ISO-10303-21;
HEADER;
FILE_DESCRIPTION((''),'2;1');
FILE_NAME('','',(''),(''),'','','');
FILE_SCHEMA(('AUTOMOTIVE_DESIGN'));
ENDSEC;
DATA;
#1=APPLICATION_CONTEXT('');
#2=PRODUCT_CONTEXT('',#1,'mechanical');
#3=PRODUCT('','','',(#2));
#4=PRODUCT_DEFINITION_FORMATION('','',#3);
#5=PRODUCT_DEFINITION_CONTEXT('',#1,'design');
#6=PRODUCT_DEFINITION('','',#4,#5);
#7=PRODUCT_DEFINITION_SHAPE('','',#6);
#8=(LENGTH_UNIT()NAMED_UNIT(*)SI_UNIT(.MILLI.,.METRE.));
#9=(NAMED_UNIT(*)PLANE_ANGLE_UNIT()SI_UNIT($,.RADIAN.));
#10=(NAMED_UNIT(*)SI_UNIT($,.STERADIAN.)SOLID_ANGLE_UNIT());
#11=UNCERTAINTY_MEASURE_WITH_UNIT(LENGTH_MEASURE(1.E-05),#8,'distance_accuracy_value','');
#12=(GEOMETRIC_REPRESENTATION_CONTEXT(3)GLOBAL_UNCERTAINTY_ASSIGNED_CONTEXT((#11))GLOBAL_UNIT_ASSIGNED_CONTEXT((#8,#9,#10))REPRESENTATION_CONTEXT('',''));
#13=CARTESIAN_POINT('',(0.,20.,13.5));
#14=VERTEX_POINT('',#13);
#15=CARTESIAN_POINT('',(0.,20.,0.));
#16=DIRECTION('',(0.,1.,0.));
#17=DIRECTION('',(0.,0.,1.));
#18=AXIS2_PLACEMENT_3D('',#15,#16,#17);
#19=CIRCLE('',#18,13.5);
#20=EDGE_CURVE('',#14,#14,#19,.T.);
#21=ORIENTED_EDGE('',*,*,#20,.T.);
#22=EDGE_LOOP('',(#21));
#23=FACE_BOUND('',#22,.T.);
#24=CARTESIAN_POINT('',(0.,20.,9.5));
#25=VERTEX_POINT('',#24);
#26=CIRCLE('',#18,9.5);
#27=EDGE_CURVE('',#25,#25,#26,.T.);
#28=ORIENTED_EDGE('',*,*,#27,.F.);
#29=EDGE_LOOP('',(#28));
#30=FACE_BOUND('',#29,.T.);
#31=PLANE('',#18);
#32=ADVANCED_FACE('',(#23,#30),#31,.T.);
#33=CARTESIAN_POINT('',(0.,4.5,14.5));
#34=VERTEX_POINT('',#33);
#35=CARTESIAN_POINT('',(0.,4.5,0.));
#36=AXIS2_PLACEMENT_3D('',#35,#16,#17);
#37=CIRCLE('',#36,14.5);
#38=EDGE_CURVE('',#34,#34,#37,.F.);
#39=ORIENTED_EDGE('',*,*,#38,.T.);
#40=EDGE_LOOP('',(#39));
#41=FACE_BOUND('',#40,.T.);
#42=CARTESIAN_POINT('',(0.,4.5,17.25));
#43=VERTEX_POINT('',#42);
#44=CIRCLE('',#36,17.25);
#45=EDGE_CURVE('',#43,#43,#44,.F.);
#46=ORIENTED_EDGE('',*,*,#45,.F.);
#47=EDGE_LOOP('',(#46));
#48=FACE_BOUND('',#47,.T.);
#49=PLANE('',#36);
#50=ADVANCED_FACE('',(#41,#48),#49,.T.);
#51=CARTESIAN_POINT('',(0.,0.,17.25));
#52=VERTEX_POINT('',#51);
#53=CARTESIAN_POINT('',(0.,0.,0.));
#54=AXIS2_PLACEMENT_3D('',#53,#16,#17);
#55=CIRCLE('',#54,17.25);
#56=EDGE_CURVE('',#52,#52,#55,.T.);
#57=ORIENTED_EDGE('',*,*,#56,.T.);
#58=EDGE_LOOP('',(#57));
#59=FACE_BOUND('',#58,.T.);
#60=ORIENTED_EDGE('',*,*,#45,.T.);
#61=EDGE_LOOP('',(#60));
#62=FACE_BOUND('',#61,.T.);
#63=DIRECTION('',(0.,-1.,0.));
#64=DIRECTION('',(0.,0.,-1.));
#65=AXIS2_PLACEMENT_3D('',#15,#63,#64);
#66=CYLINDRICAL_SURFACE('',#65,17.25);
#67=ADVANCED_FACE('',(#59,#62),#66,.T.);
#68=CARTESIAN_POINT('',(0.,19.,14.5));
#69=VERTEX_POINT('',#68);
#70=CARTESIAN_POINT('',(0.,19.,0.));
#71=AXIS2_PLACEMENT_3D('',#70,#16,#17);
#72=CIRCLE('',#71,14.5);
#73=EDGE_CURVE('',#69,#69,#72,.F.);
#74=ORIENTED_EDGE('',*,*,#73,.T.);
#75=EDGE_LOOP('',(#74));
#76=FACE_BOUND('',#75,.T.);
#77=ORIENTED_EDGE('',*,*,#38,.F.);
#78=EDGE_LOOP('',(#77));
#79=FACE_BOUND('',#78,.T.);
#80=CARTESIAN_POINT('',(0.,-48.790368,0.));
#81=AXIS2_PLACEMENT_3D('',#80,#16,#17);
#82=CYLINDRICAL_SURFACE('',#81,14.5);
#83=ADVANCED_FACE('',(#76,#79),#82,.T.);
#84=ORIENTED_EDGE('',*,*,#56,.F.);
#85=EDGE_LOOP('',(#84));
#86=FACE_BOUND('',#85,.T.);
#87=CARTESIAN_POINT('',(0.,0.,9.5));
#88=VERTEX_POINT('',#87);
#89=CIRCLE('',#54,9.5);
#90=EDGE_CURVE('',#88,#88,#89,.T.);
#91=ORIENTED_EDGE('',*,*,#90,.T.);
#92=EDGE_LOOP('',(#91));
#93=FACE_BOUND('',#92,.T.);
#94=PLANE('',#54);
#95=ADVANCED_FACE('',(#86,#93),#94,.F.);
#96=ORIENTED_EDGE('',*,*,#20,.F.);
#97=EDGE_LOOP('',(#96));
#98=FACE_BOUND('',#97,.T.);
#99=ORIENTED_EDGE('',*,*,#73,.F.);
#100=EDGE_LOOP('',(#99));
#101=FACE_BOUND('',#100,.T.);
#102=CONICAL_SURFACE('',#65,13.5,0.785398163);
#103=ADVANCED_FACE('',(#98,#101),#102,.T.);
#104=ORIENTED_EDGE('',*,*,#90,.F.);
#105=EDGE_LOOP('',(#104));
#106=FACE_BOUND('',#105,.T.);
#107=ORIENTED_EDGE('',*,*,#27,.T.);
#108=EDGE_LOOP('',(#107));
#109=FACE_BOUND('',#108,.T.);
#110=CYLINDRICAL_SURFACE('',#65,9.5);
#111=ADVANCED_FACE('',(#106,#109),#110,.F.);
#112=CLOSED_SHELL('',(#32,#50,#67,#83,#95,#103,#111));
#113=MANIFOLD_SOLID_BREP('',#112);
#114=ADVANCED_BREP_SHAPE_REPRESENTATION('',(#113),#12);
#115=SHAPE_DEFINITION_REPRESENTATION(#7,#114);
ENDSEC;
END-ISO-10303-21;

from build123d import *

# Parameters (mm, degrees)
SKETCH1_R           = 17.25
SKETCH1_R_2         = 9.5
BOSS_EXTRUDE1_DEPTH = 20
CUT_EXTRUDE1_START  = -15.5
SKETCH2_R           = 17.25
SKETCH2_R_2         = 14.5
CUT_EXTRUDE1_DEPTH  = 15.5
CHAMFER1_SIZE       = 1


with BuildPart() as part:
    # Sketch1 → Boss-Extrude1 (new body)
    with BuildSketch(Plane(origin=(0, 0, 0), x_dir=(1, 0, 0), z_dir=(0, 1, 0))):
        with Locations(Location((0, 0, 0), (0, 0, 270))):
            Circle(SKETCH1_R)
        with Locations(Location((0, 0, 0), (0, 0, 270))):
            Circle(SKETCH1_R_2, mode=Mode.SUBTRACT)
    extrude(amount=BOSS_EXTRUDE1_DEPTH)

    # Sketch2 → Cut-Extrude1 (cut)
    with BuildSketch(Plane(origin=(0, 20, 0), x_dir=(1, 0, 0), z_dir=(0, 1, 0)).offset(CUT_EXTRUDE1_START)):
        with Locations(Location((0, 0, 0), (0, 0, 270))):
            Circle(SKETCH2_R)
        with Locations(Location((0, 0, 0), (0, 0, 270))):
            Circle(SKETCH2_R_2, mode=Mode.SUBTRACT)
    extrude(amount=CUT_EXTRUDE1_DEPTH, mode=Mode.SUBTRACT)

    # Chamfer1
    chamfer1_edges = [part.edges().sort_by_distance(p)[0] for p in [
        (0, 20, -14.5),
    ]]
    chamfer(chamfer1_edges, length=CHAMFER1_SIZE)


solid = part.part
